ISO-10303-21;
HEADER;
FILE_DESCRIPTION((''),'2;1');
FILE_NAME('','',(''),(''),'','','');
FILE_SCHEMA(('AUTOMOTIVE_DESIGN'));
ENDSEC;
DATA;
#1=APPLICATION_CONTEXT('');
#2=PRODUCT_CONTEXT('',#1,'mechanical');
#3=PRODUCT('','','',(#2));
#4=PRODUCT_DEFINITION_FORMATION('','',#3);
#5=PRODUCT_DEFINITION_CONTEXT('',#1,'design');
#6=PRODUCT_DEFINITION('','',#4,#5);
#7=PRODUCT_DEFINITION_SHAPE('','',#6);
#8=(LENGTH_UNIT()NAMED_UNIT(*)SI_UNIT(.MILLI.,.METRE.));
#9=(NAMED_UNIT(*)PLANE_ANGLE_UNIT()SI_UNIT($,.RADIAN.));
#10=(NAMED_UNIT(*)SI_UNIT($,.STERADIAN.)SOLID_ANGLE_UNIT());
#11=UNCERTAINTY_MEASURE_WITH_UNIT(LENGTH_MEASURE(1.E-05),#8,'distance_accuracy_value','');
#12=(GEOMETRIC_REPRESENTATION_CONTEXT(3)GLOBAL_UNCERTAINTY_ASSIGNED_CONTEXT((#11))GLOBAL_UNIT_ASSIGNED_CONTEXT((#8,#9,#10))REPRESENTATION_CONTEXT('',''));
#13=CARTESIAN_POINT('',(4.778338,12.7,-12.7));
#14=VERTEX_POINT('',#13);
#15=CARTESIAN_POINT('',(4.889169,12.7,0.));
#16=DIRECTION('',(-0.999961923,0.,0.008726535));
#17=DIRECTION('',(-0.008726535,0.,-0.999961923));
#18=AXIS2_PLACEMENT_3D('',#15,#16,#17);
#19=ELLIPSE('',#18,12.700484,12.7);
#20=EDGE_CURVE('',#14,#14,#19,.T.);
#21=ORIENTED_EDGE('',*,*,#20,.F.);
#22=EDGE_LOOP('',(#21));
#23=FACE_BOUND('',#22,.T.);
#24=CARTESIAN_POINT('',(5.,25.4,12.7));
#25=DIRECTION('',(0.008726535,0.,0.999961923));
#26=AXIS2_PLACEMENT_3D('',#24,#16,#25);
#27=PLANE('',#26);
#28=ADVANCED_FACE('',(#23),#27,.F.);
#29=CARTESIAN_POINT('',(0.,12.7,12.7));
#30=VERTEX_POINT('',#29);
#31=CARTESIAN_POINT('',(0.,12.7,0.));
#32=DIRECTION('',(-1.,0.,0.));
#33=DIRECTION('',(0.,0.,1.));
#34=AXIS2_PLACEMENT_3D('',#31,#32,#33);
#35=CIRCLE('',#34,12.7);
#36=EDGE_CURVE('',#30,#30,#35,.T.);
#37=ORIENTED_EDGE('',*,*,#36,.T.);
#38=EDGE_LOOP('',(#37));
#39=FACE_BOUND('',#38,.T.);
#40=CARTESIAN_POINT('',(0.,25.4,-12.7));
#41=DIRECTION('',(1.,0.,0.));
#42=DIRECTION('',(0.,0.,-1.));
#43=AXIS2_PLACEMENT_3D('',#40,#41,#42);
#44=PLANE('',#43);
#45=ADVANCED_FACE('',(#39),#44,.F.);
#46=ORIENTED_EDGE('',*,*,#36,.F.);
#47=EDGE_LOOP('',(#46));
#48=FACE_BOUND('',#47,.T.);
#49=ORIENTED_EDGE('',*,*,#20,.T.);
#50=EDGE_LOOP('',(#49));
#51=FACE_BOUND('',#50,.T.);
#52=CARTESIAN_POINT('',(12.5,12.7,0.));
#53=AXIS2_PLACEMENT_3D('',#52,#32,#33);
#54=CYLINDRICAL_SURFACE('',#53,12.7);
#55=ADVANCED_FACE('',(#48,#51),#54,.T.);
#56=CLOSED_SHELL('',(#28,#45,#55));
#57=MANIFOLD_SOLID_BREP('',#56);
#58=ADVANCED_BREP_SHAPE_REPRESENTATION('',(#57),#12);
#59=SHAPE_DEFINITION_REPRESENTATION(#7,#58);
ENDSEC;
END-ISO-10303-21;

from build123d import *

# Parameters (mm, degrees)
EXTRUDE_1_DEPTH     = 25.4
CUT_EXTRUDE_2_DEPTH = 12.5


with BuildPart() as part:
    # 草图1 → 凸台-拉伸1 (new body)
    with BuildSketch(Plane(origin=(0, 0, 0), x_dir=(1, 0, 0), z_dir=(0, 1, 0))):
        Polygon((0, 12.7), (0, -12.7), (5, -12.7), (4.778337558, 12.7), align=None)
    extrude(amount=EXTRUDE_1_DEPTH)

    # 草图5 → 切除-拉伸2 (cut)
    with BuildSketch(Plane.ZY):
        with BuildLine():
            Line((-12.7, 25.4), (-12.7, 12.7))
            ThreePointArc((-12.7, 12.7), (-8.980256121, 21.680256121), (0, 25.4))
            Line((0, 25.4), (-12.7, 25.4))
        make_face()
        with BuildLine():
            Line((-12.7, 12.7), (-12.7, 0))
            Line((-12.7, 0), (0, 0))
            ThreePointArc((0, 0), (-8.980256121, 3.719743879), (-12.7, 12.7))
        make_face()
        with BuildLine():
            ThreePointArc((12.7, 12.7), (8.980256121, 3.719743879), (0, 0))
            Line((0, 0), (12.7, 0))
            Line((12.7, 0), (12.7, 12.7))
        make_face()
        with BuildLine():
            ThreePointArc((0, 25.4), (8.980256121, 21.680256121), (12.7, 12.7))
            Line((12.7, 12.7), (12.7, 25.4))
            Line((12.7, 25.4), (0, 25.4))
        make_face()
    extrude(amount=-CUT_EXTRUDE_2_DEPTH, mode=Mode.SUBTRACT)


solid = part.part
